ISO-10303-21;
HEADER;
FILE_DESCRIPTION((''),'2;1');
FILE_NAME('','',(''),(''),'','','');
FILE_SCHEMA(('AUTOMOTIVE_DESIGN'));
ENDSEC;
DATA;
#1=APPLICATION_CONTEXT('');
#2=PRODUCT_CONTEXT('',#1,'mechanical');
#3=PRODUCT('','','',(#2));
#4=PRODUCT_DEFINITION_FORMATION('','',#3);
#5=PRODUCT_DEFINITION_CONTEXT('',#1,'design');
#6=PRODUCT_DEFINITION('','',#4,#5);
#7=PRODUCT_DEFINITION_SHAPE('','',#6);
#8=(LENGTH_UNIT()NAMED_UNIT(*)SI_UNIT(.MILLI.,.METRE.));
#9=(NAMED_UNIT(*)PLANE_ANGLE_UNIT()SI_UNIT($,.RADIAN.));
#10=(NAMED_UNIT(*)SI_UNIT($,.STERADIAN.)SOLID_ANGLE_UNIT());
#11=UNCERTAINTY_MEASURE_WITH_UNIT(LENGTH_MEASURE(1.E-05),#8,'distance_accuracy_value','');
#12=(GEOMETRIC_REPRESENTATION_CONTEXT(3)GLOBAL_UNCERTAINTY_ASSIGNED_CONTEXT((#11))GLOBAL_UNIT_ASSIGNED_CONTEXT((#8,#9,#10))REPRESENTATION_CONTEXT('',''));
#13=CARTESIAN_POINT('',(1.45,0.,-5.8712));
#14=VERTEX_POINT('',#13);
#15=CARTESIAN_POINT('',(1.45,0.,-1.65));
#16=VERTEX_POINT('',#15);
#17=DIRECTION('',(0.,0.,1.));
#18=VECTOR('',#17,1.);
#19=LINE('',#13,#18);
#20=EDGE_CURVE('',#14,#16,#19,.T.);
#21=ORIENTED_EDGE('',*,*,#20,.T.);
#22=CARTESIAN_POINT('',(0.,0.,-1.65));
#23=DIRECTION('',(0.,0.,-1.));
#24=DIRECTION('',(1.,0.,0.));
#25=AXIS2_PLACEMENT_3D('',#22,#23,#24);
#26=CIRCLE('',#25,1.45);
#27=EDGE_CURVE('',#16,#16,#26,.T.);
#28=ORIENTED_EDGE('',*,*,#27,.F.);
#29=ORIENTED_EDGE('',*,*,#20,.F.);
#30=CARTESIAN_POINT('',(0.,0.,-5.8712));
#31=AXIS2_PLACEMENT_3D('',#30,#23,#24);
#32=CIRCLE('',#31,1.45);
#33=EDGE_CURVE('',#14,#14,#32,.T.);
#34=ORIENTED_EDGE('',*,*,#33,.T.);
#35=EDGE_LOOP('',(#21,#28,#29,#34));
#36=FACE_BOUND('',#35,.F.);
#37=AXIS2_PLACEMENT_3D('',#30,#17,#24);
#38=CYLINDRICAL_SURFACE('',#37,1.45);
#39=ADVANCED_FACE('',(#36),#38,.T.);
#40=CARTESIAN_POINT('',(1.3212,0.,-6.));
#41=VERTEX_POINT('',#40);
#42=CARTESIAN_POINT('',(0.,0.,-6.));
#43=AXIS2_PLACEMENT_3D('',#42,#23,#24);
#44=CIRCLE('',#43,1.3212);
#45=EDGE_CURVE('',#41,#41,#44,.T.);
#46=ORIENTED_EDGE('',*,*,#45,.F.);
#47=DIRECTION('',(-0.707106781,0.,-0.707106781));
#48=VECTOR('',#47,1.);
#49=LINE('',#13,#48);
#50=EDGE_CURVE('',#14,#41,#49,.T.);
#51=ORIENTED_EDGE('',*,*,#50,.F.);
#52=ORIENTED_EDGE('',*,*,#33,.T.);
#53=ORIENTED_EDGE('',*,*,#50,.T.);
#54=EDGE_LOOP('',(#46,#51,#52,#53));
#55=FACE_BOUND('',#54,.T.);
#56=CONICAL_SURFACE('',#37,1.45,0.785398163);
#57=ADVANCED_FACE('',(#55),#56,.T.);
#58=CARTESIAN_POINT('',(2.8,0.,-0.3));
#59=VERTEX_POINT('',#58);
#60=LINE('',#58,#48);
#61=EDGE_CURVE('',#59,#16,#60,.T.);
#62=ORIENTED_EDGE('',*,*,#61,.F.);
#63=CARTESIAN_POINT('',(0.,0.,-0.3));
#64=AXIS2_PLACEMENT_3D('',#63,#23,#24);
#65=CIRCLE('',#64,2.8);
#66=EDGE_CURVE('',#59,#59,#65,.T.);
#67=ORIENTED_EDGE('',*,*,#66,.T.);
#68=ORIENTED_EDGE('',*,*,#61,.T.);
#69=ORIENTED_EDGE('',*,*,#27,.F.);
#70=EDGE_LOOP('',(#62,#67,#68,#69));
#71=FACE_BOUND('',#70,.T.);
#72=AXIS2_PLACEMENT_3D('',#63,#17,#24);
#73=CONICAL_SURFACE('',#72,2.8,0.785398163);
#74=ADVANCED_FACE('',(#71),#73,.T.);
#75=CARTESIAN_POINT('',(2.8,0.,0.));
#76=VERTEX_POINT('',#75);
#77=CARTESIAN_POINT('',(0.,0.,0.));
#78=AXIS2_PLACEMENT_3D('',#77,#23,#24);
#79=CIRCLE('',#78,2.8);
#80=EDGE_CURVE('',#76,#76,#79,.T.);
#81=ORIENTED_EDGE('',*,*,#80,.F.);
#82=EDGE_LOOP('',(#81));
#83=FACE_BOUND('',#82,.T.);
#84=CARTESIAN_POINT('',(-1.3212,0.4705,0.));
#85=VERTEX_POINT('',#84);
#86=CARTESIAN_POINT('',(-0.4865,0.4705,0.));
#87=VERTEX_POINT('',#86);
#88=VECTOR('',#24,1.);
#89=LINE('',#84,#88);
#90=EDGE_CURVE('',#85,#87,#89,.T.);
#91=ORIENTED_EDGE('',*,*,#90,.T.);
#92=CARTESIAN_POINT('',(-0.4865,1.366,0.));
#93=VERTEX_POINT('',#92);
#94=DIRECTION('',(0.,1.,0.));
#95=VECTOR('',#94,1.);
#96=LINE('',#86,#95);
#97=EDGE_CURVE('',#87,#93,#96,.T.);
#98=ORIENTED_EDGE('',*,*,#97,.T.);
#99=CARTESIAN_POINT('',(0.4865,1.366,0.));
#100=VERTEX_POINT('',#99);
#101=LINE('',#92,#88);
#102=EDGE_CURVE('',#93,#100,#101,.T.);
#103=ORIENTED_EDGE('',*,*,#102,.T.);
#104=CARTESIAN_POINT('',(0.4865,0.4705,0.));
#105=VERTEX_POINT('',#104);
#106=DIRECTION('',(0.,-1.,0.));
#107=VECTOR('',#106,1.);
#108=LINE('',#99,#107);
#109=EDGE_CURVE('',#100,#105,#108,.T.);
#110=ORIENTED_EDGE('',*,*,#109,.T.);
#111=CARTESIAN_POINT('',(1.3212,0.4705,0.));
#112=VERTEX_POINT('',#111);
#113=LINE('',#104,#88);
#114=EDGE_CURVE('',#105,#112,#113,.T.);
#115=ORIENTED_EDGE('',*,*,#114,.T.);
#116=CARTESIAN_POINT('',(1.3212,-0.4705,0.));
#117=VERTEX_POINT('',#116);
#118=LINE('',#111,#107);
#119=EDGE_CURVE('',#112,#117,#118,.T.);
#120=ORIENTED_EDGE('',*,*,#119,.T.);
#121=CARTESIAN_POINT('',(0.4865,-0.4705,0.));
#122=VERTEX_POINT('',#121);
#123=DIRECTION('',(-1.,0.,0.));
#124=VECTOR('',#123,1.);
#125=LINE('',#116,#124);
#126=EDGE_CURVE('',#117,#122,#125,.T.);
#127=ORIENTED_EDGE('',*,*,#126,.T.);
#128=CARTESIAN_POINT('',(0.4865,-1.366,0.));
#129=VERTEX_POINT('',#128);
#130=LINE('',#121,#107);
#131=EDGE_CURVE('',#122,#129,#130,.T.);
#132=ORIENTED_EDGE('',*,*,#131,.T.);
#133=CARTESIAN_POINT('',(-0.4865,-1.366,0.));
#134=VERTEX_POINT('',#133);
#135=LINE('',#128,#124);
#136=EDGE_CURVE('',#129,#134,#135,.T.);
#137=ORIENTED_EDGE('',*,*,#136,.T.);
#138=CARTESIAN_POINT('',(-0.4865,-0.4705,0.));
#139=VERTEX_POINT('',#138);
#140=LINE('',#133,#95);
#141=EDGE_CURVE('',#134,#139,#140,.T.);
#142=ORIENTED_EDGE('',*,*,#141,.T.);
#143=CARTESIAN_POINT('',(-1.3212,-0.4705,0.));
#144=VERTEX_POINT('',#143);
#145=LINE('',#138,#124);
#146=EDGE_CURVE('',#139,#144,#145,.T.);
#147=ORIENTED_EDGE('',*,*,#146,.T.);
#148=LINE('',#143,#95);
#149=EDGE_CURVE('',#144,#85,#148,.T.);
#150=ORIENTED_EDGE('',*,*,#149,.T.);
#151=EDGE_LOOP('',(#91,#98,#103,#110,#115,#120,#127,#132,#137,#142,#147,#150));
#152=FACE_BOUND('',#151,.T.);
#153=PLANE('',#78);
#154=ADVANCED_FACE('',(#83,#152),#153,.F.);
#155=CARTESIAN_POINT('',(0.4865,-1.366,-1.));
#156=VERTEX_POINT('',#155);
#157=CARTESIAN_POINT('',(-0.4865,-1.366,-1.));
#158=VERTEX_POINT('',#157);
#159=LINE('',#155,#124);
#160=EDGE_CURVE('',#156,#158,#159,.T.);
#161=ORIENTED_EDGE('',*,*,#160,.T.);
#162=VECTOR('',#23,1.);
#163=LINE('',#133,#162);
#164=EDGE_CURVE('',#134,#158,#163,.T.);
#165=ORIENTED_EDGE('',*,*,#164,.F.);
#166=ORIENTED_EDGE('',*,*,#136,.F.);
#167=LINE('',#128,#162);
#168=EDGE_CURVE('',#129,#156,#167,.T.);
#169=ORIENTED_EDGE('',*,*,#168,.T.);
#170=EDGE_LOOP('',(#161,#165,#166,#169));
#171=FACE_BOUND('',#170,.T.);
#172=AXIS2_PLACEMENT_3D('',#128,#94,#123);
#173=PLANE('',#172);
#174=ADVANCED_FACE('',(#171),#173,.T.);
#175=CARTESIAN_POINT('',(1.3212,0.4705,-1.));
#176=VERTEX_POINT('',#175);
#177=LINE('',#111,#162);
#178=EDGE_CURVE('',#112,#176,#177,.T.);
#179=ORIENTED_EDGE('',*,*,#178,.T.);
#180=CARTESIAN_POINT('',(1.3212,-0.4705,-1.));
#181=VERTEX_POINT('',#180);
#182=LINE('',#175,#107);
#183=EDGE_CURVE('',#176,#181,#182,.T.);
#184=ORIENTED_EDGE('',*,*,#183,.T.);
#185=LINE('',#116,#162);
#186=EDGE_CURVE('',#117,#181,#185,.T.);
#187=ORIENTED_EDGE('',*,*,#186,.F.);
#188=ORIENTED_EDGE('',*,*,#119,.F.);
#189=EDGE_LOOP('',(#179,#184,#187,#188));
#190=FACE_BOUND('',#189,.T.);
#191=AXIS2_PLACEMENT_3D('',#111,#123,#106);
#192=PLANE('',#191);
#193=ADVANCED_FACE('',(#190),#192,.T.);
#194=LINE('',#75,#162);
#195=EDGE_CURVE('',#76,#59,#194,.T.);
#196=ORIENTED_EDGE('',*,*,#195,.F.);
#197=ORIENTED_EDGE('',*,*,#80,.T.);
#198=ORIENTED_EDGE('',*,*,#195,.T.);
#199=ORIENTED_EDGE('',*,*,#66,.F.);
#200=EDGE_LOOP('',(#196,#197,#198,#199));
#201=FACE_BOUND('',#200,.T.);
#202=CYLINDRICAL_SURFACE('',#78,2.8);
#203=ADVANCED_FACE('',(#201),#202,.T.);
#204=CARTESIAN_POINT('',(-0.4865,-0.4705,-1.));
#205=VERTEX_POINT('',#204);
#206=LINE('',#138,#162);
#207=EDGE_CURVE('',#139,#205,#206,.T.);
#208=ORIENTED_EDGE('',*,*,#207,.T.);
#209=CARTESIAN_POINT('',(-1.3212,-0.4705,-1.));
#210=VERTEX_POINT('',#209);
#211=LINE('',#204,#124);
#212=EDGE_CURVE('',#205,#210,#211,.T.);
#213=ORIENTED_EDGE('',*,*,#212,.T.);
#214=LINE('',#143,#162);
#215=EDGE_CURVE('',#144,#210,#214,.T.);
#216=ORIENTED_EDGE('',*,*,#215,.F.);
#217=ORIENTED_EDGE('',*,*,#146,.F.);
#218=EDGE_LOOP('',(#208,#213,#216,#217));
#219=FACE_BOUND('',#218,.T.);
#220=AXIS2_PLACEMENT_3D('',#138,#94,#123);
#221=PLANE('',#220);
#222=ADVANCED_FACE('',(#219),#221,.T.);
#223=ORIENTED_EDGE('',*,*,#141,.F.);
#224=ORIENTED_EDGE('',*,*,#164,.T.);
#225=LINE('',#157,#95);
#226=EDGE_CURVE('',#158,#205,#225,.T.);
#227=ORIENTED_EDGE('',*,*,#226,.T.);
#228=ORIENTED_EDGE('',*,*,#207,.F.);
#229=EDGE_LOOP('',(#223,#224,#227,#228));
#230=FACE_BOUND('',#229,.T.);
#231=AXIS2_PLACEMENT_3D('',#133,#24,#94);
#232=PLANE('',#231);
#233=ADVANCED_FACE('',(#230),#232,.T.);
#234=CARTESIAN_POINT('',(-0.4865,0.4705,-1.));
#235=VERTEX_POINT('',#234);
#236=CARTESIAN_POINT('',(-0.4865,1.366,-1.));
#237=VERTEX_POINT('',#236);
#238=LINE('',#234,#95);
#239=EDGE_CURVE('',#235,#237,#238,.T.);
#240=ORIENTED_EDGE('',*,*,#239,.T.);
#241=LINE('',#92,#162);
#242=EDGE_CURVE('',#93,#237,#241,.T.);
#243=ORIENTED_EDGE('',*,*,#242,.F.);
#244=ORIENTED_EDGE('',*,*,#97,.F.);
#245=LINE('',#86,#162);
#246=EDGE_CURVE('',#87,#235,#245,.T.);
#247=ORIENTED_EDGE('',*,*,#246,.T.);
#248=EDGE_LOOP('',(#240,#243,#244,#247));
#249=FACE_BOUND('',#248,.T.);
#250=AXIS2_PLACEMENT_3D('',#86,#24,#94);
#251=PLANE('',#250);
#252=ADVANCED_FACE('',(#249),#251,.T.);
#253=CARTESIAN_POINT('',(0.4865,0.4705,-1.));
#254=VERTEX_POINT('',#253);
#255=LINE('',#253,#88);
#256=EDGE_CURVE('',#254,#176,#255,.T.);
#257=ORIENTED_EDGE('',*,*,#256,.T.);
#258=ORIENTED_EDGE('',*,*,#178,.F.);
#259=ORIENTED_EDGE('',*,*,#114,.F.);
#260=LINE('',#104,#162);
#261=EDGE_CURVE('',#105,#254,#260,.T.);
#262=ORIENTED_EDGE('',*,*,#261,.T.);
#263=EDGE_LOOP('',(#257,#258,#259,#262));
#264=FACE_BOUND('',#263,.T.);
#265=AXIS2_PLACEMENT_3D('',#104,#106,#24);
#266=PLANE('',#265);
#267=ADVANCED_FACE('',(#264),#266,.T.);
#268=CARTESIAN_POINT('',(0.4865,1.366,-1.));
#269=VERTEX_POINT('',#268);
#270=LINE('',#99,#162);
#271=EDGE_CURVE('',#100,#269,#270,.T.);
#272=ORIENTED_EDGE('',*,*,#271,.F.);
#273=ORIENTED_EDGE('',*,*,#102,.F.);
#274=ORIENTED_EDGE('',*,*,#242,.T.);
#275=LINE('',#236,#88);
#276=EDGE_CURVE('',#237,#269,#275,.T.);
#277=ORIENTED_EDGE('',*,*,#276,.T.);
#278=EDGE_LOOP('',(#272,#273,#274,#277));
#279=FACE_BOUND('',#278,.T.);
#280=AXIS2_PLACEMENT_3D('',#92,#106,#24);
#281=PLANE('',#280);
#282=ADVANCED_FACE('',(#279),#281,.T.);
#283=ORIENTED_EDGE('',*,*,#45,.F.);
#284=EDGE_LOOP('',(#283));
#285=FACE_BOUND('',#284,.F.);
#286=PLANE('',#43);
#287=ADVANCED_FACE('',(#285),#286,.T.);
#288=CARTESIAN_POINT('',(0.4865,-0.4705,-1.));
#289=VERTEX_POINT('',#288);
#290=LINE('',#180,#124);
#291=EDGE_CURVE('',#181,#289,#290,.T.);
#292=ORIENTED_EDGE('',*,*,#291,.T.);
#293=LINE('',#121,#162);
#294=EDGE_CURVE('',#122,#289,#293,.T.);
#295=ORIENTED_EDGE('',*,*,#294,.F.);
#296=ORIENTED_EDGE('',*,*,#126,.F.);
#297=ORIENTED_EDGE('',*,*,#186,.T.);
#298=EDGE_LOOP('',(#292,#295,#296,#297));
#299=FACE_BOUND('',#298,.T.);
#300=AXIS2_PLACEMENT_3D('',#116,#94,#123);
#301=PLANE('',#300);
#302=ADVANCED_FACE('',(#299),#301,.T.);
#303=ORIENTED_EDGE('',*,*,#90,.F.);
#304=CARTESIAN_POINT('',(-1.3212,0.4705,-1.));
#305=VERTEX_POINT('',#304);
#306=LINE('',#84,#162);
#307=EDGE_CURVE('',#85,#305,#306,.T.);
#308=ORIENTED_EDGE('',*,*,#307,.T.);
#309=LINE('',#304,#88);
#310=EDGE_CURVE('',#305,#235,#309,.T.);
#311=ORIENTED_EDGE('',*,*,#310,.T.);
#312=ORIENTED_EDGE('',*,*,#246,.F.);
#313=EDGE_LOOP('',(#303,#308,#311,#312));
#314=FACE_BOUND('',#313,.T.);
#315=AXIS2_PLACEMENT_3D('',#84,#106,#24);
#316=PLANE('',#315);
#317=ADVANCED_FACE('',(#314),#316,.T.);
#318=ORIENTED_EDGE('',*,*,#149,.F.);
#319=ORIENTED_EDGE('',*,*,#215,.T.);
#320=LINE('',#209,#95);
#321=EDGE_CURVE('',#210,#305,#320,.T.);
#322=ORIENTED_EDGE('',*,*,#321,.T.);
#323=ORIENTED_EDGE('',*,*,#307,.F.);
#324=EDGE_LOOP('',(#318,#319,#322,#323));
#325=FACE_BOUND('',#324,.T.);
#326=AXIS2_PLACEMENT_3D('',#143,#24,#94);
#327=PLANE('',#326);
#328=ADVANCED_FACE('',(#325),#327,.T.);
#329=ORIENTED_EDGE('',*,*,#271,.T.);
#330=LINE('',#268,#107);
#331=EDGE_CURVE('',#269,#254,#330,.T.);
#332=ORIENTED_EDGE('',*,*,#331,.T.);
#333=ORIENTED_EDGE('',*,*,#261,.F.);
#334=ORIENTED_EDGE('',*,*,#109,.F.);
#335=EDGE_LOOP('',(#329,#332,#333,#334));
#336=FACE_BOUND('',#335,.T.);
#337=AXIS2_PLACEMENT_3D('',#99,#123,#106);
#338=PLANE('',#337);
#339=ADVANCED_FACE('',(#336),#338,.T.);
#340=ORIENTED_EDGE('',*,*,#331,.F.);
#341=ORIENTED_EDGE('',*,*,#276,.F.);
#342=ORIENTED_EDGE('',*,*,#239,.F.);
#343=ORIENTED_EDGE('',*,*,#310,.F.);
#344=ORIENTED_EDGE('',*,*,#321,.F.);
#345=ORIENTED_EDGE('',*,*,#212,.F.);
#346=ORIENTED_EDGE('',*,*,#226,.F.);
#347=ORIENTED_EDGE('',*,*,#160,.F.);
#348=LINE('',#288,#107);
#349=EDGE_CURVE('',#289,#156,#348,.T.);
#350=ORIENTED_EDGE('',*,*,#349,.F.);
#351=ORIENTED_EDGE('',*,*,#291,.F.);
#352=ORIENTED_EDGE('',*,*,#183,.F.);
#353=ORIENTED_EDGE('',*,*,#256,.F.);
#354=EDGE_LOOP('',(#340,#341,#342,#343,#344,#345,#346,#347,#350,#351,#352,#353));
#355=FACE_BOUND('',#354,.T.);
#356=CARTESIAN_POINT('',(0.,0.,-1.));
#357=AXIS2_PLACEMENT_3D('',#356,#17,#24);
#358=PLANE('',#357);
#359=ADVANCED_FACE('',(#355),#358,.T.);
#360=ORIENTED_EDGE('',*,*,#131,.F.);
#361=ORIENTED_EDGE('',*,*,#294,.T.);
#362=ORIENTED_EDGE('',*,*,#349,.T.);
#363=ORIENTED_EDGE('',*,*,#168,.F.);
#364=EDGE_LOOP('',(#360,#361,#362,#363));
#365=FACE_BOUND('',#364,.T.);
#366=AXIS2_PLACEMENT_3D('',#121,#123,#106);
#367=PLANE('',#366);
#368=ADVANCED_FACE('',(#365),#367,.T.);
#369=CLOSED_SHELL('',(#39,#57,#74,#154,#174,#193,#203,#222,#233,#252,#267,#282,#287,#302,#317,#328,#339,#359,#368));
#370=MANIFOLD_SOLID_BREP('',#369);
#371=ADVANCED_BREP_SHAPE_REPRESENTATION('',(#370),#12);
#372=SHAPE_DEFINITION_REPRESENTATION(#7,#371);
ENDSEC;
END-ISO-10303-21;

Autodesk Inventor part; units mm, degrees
ref_plane "YZ Plane" through (0, 0, 0) normal (1, 0, 0) x (0, 1, 0)
ref_plane "XZ Plane" through (0, 0, 0) normal (0, 1, 0) x (-1, 0, 0)
ref_plane "XY Plane" through (0, 0, 0) normal (0, 0, 1) x (1, 0, 0)
sketch "Эскиз1" plane through (0, 0, 0) normal (0, 1, 0) x (-1, 0, 0)
  line L0 (0, 0) -> (-2.8, 0)
  line L1 (0, 0) -> (0, -6)
  line L2 (0, -6) -> (-1.3212, -6)
  line L3 (-1.45, -5.8712) -> (-1.45, -1.65)
  line L4 (-2.8, -0.3) -> (-1.45, -1.65)
  line L5 (-2.8, 0) -> (-2.8, -0.3)
  line L6 (-1.45, -5.8712) -> (-1.3212, -6)
revolve "Вращение1" add sketch "Эскиз1" angle 360 about axis through (0, 0, 0) along (0, 0, -1)
sketch "Эскиз2" plane through (0, 0, 0) normal (0, 0, 1) x (1, 0, 0)
  line L0 (-1.3212, -0.4705) -> (-1.3212, 0.4705)
  line L1 (1.3212, 0.4705) -> (1.3212, -0.4705)
  circle A0 centre (0, 0) radius 1.45 projected
  line L2 (0.4865, -1.366) -> (-0.4865, -1.366)
  line L3 (-0.4865, 1.366) -> (0.4865, 1.366)
  line L4 (1.3212, -0.4705) -> (0.4865, -0.4705)
  line L5 (-0.4865, -0.4705) -> (-1.3212, -0.4705)
  line L6 (-0.4865, -1.366) -> (-0.4865, -0.4705)
  line L7 (-0.4865, 0.4705) -> (-0.4865, 1.366)
  line L8 (-1.3212, 0.4705) -> (-0.4865, 0.4705)
  line L9 (0.4865, 0.4705) -> (1.3212, 0.4705)
  line L10 (0.4865, 1.366) -> (0.4865, 0.4705)
  line L11 (0.4865, -0.4705) -> (0.4865, -1.366)
extrude "Выдавливание1" cut sketch "Эскиз2" against normal blind 1 contours L0 L8 L7 L3 L10 L9 L1 L4 L11 L2 L6 L5
thread "Резьба1" size "M3x0.5" class "6g" standard "ANSI Metric M Profile" full length
properties part number "Винт М3х6 пот"
